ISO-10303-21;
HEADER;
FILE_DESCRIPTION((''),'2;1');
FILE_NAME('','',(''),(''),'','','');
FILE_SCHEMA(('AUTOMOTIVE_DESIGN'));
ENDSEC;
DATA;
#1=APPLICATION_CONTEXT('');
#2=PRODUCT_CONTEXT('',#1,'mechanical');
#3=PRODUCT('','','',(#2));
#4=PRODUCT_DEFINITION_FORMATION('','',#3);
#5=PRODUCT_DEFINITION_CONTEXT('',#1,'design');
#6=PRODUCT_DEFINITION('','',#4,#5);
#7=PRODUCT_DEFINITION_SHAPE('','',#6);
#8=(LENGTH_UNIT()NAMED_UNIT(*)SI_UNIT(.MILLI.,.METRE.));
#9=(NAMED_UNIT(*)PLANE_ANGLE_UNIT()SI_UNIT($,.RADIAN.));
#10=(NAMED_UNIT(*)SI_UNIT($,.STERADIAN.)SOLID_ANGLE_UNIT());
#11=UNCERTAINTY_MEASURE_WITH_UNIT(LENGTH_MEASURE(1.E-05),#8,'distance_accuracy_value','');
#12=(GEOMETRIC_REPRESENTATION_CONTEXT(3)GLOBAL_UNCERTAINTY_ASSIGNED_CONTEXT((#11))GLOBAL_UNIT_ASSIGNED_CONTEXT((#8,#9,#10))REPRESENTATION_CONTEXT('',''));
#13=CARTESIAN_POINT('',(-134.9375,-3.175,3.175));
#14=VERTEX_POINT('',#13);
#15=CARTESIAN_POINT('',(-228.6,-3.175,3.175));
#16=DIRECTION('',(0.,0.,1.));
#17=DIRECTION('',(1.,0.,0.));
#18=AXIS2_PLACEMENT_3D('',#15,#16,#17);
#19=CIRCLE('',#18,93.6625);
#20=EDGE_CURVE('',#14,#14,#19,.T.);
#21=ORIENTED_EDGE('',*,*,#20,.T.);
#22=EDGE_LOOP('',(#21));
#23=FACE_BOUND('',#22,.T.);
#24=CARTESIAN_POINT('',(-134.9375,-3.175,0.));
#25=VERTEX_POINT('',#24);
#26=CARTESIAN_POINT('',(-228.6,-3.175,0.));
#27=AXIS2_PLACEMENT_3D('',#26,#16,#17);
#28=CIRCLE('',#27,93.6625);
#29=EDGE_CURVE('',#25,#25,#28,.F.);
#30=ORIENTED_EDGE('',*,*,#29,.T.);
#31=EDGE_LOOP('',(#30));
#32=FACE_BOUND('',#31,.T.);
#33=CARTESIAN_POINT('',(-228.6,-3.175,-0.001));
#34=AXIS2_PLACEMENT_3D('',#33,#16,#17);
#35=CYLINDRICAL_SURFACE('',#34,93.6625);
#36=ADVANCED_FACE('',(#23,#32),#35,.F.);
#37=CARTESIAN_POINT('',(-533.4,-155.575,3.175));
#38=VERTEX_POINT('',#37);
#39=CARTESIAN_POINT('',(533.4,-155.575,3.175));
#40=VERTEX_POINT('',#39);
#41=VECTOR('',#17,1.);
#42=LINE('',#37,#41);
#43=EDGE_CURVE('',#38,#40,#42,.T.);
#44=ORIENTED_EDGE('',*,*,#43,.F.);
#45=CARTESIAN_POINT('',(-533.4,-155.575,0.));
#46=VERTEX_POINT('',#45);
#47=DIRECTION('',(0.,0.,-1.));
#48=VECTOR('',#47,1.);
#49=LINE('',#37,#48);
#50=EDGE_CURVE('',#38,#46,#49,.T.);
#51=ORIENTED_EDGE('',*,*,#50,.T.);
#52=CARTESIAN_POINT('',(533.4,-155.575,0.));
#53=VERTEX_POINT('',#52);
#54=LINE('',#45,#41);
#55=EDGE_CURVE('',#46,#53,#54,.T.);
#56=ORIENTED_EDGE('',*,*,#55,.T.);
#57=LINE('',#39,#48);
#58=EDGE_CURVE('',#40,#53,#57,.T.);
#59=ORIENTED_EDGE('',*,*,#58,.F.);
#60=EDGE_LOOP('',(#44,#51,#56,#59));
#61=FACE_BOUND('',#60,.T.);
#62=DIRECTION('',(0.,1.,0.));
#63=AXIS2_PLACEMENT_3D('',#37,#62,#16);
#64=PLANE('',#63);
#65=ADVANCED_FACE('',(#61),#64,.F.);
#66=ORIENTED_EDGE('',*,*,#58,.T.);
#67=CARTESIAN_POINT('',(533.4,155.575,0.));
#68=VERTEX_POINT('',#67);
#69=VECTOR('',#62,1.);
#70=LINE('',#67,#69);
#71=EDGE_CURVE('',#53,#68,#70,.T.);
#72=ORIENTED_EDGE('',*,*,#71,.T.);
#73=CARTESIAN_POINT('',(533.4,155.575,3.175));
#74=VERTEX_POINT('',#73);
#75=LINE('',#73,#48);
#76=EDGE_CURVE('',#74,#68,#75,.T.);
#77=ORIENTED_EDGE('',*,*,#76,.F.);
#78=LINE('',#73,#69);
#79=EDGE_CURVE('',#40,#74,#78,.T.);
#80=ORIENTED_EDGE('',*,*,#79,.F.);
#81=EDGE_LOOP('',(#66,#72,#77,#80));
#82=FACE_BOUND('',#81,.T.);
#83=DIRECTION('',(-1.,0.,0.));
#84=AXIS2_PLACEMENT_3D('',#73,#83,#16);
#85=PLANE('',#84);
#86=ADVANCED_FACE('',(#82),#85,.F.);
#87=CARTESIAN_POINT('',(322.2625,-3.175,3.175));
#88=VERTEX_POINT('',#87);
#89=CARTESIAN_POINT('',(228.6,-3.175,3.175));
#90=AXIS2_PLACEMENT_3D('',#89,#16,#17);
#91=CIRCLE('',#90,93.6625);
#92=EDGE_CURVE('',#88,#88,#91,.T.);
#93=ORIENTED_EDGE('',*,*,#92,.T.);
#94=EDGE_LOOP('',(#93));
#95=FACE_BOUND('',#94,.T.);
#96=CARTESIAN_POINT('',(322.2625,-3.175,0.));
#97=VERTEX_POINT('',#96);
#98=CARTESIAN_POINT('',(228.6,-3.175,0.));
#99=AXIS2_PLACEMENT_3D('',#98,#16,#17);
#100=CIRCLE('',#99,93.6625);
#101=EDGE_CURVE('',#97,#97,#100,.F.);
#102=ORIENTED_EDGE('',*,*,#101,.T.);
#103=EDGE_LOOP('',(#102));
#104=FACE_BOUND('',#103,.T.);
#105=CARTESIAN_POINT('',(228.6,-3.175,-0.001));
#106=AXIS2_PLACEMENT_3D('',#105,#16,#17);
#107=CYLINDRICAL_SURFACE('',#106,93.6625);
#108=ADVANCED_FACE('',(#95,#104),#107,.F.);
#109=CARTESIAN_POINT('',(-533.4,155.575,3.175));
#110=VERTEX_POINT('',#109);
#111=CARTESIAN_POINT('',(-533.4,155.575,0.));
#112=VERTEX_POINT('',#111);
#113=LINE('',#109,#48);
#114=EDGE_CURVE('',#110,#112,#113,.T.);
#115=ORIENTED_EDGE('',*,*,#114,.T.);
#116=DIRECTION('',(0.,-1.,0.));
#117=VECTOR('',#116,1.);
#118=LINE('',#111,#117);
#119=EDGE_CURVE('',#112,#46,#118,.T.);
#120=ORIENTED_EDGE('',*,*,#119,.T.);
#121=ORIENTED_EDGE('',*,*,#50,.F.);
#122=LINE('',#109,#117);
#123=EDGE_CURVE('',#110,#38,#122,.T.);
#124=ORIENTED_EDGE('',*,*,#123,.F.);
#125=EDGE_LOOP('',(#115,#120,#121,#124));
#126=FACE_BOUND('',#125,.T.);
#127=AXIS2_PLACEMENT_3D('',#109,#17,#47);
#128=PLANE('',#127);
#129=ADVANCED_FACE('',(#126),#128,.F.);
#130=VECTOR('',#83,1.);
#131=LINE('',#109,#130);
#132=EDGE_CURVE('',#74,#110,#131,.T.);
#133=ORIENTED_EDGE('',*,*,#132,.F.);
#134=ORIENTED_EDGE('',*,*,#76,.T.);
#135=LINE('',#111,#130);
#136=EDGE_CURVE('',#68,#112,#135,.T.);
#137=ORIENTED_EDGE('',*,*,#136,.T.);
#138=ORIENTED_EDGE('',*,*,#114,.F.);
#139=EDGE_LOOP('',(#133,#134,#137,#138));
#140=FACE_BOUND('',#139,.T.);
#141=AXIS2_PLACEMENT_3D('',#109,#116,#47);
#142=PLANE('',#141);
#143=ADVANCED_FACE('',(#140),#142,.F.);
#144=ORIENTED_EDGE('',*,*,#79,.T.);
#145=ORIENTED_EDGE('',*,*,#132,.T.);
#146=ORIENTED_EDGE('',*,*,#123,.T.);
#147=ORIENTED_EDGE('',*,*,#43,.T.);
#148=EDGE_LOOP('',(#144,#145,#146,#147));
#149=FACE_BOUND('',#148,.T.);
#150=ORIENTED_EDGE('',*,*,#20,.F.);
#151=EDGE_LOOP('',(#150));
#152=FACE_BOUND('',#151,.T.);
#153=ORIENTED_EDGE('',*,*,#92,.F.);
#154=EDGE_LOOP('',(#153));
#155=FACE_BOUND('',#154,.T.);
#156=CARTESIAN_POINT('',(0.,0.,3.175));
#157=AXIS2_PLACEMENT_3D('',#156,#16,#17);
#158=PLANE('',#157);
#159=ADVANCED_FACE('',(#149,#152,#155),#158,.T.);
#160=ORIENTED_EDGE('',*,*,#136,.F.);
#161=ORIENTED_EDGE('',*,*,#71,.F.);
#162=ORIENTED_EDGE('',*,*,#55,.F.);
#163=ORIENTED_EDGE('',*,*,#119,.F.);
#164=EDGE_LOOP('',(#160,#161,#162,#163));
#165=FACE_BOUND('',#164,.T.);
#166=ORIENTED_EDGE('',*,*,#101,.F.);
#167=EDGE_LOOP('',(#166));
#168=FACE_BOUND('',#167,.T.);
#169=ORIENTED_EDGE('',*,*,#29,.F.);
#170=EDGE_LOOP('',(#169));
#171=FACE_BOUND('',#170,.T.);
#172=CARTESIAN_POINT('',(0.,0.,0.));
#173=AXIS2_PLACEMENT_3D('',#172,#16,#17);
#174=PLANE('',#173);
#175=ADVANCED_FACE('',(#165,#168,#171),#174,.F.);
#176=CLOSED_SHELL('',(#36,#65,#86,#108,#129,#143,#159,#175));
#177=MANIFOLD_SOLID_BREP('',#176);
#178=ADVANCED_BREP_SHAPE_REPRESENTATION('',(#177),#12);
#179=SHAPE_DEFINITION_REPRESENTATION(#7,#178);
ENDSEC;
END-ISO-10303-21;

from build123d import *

# Parameters (mm, degrees)
SKETCH1_W           = 1066.8
SKETCH1_H           = 311.15
BOSS_EXTRUDE1_DEPTH = 3.175
CUT_EXTRUDE1_REACH  = 5.175
SKETCH2_R           = 93.6625


with BuildPart() as part:
    # Sketch1 → Boss-Extrude1 (new body)
    with BuildSketch(Plane.XY):
        Rectangle(SKETCH1_W, SKETCH1_H)
    extrude(amount=BOSS_EXTRUDE1_DEPTH)

    # Sketch2 → Cut-Extrude1 (cut, up to next)
    with BuildSketch(Plane.XY.offset(3.175), mode=Mode.PRIVATE) as cut_extrude1_sk1:
        with Locations((228.6, -3.175)):
            Circle(SKETCH2_R)
    cut_extrude1_tool1 = extrude(cut_extrude1_sk1.sketch, amount=-CUT_EXTRUDE1_REACH, mode=Mode.PRIVATE) & part.part
    add(cut_extrude1_tool1.solids().sort_by_distance((228.6, -3.175, 3.175))[0], mode=Mode.SUBTRACT)
    # Sketch2 → Cut-Extrude1 (cut, up to next)
    with BuildSketch(Plane.XY.offset(3.175), mode=Mode.PRIVATE) as cut_extrude1_sk2:
        with Locations((-228.6, -3.175)):
            Circle(SKETCH2_R)
    cut_extrude1_tool2 = extrude(cut_extrude1_sk2.sketch, amount=-CUT_EXTRUDE1_REACH, mode=Mode.PRIVATE) & part.part
    add(cut_extrude1_tool2.solids().sort_by_distance((-228.6, -3.175, 3.175))[0], mode=Mode.SUBTRACT)


solid = part.part
